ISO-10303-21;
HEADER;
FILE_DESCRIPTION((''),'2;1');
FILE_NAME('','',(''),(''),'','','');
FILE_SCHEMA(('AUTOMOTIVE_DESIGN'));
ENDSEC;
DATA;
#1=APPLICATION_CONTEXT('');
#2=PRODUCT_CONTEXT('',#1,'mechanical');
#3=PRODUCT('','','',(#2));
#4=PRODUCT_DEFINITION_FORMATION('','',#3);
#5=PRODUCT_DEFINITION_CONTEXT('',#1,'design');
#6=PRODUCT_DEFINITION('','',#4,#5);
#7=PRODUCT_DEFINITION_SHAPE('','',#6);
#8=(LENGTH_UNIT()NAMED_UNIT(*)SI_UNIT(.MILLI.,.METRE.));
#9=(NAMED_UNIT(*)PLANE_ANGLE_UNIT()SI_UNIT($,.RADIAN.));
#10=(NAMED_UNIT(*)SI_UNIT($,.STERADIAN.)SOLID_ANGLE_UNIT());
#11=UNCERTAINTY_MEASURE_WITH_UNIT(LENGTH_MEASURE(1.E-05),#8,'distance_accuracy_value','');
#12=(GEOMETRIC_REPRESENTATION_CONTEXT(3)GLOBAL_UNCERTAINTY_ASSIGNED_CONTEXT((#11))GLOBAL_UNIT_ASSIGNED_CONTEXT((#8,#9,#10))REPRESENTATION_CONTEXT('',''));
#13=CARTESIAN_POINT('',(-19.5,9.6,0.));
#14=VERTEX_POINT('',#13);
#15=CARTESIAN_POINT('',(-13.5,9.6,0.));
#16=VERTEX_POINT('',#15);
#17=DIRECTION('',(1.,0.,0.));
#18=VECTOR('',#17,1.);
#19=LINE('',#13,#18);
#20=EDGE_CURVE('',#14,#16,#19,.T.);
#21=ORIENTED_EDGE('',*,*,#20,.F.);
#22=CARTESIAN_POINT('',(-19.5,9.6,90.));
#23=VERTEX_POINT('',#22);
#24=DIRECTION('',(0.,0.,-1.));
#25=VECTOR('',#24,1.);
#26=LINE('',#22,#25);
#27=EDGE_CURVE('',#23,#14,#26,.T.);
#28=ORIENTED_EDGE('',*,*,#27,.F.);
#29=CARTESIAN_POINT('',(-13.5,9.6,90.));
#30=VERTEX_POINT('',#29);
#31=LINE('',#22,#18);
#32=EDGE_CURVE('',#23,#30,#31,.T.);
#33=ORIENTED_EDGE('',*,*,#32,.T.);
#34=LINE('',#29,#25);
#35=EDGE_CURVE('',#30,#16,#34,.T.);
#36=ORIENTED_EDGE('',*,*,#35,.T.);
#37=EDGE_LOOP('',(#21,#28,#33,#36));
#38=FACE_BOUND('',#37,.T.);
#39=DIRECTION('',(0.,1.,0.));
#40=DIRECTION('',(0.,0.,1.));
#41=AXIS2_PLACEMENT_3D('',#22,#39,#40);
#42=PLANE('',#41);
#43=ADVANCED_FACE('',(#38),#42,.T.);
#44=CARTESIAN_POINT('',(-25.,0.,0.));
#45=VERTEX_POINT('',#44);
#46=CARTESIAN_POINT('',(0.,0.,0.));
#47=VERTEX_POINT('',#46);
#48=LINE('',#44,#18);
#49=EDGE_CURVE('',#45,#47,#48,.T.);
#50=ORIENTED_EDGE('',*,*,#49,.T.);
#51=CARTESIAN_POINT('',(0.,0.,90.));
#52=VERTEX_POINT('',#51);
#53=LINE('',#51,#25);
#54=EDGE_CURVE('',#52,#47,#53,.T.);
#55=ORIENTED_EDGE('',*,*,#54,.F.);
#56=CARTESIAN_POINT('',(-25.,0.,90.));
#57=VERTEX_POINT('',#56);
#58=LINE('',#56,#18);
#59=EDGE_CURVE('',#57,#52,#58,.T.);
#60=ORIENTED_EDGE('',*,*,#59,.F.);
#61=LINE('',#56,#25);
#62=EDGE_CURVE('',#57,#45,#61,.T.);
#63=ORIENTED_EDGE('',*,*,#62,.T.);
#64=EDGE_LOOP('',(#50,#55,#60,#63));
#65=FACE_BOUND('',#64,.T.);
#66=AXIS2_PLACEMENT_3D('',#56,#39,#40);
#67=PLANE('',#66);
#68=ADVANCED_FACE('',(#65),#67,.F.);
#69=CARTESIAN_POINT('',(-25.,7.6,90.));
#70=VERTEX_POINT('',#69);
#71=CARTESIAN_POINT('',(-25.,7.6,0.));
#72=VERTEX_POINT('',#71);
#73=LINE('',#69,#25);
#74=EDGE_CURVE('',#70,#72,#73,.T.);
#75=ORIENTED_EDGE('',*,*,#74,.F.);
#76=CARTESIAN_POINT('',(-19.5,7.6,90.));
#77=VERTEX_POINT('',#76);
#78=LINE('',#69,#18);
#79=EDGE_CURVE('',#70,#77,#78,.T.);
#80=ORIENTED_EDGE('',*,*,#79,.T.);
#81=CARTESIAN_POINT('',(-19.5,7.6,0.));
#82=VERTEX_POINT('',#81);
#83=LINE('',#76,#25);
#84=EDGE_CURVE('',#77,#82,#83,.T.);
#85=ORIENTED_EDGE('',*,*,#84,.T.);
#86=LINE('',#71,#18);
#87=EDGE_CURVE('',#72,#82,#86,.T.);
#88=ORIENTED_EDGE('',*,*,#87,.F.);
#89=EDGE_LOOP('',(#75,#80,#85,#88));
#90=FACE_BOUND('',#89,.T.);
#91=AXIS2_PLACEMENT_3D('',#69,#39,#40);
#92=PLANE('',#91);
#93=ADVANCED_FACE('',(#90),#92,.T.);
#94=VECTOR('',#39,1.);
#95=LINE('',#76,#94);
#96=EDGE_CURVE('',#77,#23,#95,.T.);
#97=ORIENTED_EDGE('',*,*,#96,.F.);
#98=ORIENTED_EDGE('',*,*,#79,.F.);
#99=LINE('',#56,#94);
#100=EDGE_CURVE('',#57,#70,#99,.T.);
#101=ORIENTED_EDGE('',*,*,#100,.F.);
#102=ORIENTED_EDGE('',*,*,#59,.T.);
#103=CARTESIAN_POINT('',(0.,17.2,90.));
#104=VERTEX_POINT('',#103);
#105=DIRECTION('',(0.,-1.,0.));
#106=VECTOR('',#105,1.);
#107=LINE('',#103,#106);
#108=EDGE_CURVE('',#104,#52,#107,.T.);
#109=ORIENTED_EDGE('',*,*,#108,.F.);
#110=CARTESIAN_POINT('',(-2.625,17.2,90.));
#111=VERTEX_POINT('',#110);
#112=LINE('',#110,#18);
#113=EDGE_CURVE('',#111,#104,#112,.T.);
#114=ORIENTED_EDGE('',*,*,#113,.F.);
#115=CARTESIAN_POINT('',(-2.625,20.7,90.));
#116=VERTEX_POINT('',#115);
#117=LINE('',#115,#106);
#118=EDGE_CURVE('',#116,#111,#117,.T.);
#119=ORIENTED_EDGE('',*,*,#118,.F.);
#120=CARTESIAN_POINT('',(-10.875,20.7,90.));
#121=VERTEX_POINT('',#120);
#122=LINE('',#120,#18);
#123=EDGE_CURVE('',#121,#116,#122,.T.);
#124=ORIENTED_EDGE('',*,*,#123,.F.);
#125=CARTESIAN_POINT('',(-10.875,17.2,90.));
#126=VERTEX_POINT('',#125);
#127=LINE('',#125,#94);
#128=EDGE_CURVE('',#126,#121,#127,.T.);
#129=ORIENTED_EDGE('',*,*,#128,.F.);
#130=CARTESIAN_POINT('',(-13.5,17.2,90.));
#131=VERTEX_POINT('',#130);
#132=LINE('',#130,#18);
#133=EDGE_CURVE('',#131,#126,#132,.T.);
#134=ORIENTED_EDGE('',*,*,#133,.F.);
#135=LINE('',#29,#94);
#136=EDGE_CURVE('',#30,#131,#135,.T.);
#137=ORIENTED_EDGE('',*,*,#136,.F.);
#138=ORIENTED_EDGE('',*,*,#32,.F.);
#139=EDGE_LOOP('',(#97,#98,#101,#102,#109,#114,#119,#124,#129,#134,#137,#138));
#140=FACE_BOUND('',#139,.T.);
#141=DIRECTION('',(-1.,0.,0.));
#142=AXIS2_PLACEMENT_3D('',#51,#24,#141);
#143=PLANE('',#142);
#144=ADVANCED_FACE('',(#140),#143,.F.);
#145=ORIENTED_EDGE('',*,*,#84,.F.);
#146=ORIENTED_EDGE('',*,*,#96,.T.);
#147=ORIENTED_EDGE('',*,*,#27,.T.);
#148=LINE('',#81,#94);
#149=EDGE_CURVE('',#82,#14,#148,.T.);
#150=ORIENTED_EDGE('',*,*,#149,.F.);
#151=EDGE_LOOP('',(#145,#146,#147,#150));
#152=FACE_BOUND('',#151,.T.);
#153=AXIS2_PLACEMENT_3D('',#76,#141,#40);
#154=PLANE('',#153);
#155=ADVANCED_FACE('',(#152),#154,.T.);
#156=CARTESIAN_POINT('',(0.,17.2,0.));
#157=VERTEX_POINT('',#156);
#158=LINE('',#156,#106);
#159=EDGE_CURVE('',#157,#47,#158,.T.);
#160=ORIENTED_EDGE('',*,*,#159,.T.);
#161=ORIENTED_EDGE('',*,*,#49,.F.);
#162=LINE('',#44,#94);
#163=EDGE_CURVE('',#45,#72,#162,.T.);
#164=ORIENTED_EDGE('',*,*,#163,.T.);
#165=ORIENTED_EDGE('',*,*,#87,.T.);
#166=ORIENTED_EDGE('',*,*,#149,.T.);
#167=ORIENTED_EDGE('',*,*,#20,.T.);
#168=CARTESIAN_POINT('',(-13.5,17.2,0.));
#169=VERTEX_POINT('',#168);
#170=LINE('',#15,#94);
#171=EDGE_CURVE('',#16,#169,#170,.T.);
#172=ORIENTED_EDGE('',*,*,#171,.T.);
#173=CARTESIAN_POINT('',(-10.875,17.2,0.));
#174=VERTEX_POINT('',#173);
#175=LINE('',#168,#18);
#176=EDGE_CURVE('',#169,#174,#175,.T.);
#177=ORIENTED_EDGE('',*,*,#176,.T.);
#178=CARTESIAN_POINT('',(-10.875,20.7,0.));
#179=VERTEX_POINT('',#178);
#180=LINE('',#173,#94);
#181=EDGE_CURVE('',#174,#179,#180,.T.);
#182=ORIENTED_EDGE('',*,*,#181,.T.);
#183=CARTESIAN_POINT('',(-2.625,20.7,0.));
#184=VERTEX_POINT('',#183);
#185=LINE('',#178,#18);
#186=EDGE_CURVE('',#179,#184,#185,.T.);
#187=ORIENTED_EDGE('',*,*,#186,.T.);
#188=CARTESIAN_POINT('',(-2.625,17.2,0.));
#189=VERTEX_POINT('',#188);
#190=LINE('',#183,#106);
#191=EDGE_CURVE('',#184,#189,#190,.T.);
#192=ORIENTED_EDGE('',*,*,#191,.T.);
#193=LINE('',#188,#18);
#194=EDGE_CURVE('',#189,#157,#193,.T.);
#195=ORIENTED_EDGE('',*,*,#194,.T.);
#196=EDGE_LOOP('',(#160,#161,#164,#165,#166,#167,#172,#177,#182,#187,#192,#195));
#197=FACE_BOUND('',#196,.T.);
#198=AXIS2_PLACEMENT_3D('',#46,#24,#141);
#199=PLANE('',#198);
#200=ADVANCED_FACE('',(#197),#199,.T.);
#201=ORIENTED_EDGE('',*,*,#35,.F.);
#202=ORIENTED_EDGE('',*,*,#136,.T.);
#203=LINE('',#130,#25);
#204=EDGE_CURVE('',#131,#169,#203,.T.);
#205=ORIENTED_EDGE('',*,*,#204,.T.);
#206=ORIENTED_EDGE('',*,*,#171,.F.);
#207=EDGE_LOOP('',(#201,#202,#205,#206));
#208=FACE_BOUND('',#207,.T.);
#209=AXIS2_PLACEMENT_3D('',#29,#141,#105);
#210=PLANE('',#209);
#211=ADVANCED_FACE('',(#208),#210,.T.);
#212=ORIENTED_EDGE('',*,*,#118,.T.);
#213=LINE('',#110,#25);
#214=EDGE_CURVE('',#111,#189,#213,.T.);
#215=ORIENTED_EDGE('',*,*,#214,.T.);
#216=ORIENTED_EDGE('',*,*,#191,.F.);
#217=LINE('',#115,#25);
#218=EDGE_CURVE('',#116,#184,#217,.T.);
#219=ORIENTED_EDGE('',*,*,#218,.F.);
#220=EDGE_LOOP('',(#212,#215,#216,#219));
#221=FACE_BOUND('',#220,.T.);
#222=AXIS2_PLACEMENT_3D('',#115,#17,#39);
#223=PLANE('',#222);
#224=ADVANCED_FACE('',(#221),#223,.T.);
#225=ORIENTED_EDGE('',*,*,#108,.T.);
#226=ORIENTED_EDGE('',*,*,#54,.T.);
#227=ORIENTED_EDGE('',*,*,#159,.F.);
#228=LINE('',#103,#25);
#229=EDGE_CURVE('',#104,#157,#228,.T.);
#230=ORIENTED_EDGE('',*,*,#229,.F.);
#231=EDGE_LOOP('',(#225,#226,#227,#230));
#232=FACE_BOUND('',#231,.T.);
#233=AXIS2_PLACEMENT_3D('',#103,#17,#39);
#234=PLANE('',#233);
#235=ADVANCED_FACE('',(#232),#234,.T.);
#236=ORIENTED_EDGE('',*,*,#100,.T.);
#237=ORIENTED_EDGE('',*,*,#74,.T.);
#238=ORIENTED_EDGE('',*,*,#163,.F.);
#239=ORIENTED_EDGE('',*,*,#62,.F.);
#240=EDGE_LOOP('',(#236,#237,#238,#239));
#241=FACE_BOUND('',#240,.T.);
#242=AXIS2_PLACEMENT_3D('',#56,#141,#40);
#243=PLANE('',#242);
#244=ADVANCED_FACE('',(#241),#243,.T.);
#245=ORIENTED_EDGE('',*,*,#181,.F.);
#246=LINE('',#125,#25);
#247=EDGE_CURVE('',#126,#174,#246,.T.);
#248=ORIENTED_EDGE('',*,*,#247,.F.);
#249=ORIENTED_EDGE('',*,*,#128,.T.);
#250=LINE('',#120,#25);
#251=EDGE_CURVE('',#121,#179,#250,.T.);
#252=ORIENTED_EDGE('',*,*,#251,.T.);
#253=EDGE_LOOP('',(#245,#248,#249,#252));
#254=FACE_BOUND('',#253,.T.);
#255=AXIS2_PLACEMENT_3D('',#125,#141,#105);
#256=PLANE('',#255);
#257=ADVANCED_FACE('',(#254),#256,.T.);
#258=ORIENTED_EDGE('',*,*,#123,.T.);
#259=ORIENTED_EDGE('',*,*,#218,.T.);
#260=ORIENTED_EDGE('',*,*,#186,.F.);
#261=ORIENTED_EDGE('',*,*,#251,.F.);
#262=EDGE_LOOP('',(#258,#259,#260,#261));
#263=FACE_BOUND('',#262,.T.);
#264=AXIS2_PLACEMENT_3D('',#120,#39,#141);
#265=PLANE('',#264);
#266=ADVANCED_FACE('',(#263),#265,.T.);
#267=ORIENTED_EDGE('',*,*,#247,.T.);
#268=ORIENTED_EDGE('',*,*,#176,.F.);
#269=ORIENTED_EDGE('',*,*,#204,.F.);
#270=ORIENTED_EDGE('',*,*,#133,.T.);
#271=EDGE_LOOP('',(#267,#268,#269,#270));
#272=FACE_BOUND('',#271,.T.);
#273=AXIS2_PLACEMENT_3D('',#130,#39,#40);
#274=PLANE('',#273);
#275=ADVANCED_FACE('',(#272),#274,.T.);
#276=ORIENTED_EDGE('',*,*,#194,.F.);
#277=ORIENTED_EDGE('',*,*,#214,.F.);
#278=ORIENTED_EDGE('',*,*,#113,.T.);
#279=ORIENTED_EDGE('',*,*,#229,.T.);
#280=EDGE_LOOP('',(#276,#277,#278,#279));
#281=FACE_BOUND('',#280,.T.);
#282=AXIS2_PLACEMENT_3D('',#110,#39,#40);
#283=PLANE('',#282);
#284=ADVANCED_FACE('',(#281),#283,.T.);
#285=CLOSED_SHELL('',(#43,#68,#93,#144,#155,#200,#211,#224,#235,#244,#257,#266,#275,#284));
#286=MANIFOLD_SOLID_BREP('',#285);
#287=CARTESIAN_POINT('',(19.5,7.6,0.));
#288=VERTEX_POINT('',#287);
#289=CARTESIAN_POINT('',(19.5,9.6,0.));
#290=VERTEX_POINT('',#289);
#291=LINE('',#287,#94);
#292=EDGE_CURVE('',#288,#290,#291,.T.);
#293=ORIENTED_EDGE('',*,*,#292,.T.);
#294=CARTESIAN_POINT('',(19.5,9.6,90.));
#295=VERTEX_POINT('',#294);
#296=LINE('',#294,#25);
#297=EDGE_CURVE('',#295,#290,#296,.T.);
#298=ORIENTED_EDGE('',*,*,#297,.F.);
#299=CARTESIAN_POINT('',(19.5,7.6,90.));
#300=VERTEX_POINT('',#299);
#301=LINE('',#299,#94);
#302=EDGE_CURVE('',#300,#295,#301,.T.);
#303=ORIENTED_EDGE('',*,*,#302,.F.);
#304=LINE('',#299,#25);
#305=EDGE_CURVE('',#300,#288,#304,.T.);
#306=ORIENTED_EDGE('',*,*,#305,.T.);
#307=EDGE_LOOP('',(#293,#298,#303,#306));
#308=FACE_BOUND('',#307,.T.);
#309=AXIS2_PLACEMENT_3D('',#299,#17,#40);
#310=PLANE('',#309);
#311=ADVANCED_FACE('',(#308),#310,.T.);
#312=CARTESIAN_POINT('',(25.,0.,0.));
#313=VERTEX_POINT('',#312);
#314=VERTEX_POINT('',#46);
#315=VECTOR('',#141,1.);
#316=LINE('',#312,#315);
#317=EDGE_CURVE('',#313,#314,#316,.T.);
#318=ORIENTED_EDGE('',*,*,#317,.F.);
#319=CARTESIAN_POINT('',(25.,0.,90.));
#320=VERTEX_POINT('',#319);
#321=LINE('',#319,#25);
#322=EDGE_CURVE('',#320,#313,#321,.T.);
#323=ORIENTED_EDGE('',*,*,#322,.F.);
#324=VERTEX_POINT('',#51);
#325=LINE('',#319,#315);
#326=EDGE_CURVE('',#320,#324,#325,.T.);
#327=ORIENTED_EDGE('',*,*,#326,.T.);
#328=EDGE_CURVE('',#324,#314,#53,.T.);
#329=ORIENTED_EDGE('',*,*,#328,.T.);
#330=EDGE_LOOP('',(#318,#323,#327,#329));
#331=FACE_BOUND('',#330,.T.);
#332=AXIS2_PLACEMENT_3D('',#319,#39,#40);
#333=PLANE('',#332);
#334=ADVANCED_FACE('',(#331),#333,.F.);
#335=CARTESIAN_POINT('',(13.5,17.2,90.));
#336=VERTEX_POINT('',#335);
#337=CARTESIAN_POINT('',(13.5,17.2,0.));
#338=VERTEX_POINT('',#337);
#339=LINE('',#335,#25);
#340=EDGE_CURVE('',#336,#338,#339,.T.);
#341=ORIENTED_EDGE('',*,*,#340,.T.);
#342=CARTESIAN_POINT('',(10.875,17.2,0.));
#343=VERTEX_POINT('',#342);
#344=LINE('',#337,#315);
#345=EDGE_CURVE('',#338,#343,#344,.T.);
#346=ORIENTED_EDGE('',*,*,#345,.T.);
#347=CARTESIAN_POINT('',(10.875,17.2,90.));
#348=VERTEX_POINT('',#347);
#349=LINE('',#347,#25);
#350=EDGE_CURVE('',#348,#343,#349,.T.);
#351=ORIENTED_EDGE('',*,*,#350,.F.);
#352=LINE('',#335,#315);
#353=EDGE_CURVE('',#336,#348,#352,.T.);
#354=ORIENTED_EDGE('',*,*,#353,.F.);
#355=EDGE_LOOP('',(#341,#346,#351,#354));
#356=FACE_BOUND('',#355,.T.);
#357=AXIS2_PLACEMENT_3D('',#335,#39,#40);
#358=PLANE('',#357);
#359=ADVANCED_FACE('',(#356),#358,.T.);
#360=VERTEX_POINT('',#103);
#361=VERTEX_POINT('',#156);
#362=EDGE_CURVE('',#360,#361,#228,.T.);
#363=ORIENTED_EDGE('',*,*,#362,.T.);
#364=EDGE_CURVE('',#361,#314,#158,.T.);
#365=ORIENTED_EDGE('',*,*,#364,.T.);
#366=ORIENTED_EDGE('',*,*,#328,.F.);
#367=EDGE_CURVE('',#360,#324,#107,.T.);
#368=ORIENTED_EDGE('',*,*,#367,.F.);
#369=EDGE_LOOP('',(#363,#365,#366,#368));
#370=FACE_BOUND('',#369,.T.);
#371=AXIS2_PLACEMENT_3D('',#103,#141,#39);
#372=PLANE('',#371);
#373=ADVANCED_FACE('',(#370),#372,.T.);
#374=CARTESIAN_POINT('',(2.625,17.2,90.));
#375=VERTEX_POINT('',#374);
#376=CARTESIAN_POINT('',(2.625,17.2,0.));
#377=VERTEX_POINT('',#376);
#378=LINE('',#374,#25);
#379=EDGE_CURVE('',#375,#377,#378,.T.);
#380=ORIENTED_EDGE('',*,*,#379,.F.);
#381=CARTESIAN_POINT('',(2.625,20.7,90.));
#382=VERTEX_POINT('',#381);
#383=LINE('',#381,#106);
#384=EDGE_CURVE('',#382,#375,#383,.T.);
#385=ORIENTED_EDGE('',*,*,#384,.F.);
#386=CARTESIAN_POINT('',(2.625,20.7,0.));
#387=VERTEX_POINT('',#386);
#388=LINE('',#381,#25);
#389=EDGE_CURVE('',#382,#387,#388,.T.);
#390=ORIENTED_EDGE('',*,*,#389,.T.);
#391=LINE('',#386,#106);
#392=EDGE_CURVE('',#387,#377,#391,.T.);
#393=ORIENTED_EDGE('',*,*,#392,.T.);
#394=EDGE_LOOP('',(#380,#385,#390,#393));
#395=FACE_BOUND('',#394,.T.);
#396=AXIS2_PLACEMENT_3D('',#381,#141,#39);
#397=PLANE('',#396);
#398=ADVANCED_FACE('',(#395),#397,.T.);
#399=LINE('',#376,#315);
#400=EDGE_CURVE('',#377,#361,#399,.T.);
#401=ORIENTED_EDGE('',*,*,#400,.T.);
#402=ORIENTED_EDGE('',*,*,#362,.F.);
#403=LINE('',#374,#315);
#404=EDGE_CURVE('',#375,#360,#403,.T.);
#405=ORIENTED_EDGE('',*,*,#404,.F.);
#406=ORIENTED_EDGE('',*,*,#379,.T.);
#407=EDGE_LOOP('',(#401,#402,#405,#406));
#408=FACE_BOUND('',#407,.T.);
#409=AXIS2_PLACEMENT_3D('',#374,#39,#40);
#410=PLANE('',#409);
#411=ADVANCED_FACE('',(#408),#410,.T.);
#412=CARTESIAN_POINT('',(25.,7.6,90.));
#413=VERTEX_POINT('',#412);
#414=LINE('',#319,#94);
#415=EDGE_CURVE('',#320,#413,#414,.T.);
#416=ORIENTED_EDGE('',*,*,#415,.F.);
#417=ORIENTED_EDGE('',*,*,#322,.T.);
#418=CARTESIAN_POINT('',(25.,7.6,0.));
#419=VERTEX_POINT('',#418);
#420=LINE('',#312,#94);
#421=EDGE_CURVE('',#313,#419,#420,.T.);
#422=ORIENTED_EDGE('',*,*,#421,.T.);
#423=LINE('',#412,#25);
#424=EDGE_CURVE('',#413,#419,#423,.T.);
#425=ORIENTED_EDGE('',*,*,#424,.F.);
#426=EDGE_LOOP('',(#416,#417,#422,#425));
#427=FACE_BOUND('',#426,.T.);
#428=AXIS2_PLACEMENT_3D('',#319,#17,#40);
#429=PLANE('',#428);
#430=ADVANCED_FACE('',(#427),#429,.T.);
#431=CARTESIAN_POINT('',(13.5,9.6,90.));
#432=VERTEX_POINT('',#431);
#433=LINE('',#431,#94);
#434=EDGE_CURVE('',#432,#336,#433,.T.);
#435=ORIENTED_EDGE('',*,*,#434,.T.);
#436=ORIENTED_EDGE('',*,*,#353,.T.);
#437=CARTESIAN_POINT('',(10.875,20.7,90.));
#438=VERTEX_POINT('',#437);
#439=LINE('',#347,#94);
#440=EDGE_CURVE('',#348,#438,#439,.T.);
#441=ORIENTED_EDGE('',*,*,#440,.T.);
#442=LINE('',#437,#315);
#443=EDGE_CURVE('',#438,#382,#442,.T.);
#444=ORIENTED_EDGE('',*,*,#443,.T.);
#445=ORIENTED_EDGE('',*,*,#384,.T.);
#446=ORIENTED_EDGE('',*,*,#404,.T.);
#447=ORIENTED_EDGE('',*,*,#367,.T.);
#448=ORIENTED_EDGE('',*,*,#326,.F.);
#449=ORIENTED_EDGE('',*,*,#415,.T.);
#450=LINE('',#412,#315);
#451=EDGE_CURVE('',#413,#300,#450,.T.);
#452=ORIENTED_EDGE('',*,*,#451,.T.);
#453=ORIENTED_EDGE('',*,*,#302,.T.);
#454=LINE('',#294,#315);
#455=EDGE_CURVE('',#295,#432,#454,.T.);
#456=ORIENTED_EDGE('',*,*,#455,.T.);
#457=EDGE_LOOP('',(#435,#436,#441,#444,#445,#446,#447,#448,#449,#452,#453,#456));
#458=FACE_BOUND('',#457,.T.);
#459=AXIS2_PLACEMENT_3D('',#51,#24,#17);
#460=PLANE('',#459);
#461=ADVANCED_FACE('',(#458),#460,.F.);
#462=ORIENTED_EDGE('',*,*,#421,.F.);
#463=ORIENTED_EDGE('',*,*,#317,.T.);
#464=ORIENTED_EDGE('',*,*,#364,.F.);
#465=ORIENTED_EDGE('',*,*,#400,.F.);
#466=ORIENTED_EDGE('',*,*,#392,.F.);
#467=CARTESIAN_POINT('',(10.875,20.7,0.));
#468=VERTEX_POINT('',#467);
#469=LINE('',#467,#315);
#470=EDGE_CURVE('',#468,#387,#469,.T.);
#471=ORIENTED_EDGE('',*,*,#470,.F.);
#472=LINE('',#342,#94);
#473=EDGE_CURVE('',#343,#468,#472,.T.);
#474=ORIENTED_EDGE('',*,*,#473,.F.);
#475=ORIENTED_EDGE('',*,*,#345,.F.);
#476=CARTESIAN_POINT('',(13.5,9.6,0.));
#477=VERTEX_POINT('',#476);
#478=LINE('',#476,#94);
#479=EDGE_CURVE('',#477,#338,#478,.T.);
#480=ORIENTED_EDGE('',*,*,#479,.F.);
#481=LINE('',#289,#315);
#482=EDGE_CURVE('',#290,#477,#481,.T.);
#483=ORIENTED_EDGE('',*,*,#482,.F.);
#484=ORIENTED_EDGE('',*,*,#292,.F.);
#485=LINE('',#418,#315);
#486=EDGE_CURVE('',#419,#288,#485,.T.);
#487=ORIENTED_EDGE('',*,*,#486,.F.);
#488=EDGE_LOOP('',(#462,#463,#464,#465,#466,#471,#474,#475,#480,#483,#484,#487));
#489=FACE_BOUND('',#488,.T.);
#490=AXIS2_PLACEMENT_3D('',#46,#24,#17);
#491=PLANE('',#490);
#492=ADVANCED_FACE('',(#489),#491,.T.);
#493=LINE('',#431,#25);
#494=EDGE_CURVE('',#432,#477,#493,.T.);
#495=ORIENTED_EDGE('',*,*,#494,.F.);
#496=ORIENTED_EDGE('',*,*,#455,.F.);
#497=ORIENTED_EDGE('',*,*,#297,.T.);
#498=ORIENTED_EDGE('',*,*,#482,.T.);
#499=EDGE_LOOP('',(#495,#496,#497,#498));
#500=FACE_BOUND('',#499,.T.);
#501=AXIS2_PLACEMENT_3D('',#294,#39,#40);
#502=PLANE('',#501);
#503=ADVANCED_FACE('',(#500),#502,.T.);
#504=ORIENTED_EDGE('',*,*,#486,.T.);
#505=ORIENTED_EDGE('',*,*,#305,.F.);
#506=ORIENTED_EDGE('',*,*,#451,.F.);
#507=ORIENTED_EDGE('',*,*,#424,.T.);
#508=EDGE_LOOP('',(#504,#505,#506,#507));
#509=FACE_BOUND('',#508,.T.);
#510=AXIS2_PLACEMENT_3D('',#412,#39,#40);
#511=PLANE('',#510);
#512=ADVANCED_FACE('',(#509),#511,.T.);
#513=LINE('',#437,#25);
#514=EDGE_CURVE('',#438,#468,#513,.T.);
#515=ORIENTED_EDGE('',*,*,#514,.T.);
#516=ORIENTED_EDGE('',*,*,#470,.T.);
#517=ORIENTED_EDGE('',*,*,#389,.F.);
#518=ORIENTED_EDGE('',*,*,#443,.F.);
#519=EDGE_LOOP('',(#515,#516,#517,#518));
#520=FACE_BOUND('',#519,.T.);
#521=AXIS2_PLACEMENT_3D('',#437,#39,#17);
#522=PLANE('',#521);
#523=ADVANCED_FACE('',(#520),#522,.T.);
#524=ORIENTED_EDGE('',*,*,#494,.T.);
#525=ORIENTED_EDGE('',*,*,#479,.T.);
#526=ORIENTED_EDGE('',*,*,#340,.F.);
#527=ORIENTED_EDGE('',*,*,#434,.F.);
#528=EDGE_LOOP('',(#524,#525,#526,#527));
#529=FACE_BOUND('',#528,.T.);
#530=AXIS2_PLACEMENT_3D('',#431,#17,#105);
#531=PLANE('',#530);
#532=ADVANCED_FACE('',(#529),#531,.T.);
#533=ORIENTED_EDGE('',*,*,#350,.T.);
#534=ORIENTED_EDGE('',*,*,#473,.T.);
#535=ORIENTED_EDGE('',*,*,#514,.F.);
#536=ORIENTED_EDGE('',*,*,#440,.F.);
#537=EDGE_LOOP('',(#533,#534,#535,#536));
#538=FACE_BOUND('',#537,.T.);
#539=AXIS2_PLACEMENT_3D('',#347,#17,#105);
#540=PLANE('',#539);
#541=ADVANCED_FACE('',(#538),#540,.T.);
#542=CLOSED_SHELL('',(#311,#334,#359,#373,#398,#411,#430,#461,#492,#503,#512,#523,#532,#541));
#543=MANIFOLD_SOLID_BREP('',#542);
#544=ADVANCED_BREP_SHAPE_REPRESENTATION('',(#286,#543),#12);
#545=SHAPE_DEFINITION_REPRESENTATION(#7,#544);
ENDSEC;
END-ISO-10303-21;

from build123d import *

# Parameters (mm, degrees)
BOSS_EXTRUDE1_DEPTH = 90


with BuildPart() as part:
    # Sketch1 → Boss-Extrude1 (new body)
    with BuildSketch(Plane.XY):
        Polygon((-25, 0), (-25, 7.6), (-19.5, 7.6), (-19.5, 9.6), (-13.5, 9.6), (-13.5, 17.2), (-10.875, 17.2), (-10.875, 20.7), (-2.625, 20.7), (-2.625, 17.2), (0, 17.2), (0, 0), align=None)
    extrude(amount=BOSS_EXTRUDE1_DEPTH)


with BuildPart() as body_2:
    # Mirror1: mirrored copy
    add(part.part.mirror(Plane(origin=(0, 17.2, 90), x_dir=(0, 0, 1), z_dir=(1, 0, 0))))


solid = Compound([part.part, body_2.part])
